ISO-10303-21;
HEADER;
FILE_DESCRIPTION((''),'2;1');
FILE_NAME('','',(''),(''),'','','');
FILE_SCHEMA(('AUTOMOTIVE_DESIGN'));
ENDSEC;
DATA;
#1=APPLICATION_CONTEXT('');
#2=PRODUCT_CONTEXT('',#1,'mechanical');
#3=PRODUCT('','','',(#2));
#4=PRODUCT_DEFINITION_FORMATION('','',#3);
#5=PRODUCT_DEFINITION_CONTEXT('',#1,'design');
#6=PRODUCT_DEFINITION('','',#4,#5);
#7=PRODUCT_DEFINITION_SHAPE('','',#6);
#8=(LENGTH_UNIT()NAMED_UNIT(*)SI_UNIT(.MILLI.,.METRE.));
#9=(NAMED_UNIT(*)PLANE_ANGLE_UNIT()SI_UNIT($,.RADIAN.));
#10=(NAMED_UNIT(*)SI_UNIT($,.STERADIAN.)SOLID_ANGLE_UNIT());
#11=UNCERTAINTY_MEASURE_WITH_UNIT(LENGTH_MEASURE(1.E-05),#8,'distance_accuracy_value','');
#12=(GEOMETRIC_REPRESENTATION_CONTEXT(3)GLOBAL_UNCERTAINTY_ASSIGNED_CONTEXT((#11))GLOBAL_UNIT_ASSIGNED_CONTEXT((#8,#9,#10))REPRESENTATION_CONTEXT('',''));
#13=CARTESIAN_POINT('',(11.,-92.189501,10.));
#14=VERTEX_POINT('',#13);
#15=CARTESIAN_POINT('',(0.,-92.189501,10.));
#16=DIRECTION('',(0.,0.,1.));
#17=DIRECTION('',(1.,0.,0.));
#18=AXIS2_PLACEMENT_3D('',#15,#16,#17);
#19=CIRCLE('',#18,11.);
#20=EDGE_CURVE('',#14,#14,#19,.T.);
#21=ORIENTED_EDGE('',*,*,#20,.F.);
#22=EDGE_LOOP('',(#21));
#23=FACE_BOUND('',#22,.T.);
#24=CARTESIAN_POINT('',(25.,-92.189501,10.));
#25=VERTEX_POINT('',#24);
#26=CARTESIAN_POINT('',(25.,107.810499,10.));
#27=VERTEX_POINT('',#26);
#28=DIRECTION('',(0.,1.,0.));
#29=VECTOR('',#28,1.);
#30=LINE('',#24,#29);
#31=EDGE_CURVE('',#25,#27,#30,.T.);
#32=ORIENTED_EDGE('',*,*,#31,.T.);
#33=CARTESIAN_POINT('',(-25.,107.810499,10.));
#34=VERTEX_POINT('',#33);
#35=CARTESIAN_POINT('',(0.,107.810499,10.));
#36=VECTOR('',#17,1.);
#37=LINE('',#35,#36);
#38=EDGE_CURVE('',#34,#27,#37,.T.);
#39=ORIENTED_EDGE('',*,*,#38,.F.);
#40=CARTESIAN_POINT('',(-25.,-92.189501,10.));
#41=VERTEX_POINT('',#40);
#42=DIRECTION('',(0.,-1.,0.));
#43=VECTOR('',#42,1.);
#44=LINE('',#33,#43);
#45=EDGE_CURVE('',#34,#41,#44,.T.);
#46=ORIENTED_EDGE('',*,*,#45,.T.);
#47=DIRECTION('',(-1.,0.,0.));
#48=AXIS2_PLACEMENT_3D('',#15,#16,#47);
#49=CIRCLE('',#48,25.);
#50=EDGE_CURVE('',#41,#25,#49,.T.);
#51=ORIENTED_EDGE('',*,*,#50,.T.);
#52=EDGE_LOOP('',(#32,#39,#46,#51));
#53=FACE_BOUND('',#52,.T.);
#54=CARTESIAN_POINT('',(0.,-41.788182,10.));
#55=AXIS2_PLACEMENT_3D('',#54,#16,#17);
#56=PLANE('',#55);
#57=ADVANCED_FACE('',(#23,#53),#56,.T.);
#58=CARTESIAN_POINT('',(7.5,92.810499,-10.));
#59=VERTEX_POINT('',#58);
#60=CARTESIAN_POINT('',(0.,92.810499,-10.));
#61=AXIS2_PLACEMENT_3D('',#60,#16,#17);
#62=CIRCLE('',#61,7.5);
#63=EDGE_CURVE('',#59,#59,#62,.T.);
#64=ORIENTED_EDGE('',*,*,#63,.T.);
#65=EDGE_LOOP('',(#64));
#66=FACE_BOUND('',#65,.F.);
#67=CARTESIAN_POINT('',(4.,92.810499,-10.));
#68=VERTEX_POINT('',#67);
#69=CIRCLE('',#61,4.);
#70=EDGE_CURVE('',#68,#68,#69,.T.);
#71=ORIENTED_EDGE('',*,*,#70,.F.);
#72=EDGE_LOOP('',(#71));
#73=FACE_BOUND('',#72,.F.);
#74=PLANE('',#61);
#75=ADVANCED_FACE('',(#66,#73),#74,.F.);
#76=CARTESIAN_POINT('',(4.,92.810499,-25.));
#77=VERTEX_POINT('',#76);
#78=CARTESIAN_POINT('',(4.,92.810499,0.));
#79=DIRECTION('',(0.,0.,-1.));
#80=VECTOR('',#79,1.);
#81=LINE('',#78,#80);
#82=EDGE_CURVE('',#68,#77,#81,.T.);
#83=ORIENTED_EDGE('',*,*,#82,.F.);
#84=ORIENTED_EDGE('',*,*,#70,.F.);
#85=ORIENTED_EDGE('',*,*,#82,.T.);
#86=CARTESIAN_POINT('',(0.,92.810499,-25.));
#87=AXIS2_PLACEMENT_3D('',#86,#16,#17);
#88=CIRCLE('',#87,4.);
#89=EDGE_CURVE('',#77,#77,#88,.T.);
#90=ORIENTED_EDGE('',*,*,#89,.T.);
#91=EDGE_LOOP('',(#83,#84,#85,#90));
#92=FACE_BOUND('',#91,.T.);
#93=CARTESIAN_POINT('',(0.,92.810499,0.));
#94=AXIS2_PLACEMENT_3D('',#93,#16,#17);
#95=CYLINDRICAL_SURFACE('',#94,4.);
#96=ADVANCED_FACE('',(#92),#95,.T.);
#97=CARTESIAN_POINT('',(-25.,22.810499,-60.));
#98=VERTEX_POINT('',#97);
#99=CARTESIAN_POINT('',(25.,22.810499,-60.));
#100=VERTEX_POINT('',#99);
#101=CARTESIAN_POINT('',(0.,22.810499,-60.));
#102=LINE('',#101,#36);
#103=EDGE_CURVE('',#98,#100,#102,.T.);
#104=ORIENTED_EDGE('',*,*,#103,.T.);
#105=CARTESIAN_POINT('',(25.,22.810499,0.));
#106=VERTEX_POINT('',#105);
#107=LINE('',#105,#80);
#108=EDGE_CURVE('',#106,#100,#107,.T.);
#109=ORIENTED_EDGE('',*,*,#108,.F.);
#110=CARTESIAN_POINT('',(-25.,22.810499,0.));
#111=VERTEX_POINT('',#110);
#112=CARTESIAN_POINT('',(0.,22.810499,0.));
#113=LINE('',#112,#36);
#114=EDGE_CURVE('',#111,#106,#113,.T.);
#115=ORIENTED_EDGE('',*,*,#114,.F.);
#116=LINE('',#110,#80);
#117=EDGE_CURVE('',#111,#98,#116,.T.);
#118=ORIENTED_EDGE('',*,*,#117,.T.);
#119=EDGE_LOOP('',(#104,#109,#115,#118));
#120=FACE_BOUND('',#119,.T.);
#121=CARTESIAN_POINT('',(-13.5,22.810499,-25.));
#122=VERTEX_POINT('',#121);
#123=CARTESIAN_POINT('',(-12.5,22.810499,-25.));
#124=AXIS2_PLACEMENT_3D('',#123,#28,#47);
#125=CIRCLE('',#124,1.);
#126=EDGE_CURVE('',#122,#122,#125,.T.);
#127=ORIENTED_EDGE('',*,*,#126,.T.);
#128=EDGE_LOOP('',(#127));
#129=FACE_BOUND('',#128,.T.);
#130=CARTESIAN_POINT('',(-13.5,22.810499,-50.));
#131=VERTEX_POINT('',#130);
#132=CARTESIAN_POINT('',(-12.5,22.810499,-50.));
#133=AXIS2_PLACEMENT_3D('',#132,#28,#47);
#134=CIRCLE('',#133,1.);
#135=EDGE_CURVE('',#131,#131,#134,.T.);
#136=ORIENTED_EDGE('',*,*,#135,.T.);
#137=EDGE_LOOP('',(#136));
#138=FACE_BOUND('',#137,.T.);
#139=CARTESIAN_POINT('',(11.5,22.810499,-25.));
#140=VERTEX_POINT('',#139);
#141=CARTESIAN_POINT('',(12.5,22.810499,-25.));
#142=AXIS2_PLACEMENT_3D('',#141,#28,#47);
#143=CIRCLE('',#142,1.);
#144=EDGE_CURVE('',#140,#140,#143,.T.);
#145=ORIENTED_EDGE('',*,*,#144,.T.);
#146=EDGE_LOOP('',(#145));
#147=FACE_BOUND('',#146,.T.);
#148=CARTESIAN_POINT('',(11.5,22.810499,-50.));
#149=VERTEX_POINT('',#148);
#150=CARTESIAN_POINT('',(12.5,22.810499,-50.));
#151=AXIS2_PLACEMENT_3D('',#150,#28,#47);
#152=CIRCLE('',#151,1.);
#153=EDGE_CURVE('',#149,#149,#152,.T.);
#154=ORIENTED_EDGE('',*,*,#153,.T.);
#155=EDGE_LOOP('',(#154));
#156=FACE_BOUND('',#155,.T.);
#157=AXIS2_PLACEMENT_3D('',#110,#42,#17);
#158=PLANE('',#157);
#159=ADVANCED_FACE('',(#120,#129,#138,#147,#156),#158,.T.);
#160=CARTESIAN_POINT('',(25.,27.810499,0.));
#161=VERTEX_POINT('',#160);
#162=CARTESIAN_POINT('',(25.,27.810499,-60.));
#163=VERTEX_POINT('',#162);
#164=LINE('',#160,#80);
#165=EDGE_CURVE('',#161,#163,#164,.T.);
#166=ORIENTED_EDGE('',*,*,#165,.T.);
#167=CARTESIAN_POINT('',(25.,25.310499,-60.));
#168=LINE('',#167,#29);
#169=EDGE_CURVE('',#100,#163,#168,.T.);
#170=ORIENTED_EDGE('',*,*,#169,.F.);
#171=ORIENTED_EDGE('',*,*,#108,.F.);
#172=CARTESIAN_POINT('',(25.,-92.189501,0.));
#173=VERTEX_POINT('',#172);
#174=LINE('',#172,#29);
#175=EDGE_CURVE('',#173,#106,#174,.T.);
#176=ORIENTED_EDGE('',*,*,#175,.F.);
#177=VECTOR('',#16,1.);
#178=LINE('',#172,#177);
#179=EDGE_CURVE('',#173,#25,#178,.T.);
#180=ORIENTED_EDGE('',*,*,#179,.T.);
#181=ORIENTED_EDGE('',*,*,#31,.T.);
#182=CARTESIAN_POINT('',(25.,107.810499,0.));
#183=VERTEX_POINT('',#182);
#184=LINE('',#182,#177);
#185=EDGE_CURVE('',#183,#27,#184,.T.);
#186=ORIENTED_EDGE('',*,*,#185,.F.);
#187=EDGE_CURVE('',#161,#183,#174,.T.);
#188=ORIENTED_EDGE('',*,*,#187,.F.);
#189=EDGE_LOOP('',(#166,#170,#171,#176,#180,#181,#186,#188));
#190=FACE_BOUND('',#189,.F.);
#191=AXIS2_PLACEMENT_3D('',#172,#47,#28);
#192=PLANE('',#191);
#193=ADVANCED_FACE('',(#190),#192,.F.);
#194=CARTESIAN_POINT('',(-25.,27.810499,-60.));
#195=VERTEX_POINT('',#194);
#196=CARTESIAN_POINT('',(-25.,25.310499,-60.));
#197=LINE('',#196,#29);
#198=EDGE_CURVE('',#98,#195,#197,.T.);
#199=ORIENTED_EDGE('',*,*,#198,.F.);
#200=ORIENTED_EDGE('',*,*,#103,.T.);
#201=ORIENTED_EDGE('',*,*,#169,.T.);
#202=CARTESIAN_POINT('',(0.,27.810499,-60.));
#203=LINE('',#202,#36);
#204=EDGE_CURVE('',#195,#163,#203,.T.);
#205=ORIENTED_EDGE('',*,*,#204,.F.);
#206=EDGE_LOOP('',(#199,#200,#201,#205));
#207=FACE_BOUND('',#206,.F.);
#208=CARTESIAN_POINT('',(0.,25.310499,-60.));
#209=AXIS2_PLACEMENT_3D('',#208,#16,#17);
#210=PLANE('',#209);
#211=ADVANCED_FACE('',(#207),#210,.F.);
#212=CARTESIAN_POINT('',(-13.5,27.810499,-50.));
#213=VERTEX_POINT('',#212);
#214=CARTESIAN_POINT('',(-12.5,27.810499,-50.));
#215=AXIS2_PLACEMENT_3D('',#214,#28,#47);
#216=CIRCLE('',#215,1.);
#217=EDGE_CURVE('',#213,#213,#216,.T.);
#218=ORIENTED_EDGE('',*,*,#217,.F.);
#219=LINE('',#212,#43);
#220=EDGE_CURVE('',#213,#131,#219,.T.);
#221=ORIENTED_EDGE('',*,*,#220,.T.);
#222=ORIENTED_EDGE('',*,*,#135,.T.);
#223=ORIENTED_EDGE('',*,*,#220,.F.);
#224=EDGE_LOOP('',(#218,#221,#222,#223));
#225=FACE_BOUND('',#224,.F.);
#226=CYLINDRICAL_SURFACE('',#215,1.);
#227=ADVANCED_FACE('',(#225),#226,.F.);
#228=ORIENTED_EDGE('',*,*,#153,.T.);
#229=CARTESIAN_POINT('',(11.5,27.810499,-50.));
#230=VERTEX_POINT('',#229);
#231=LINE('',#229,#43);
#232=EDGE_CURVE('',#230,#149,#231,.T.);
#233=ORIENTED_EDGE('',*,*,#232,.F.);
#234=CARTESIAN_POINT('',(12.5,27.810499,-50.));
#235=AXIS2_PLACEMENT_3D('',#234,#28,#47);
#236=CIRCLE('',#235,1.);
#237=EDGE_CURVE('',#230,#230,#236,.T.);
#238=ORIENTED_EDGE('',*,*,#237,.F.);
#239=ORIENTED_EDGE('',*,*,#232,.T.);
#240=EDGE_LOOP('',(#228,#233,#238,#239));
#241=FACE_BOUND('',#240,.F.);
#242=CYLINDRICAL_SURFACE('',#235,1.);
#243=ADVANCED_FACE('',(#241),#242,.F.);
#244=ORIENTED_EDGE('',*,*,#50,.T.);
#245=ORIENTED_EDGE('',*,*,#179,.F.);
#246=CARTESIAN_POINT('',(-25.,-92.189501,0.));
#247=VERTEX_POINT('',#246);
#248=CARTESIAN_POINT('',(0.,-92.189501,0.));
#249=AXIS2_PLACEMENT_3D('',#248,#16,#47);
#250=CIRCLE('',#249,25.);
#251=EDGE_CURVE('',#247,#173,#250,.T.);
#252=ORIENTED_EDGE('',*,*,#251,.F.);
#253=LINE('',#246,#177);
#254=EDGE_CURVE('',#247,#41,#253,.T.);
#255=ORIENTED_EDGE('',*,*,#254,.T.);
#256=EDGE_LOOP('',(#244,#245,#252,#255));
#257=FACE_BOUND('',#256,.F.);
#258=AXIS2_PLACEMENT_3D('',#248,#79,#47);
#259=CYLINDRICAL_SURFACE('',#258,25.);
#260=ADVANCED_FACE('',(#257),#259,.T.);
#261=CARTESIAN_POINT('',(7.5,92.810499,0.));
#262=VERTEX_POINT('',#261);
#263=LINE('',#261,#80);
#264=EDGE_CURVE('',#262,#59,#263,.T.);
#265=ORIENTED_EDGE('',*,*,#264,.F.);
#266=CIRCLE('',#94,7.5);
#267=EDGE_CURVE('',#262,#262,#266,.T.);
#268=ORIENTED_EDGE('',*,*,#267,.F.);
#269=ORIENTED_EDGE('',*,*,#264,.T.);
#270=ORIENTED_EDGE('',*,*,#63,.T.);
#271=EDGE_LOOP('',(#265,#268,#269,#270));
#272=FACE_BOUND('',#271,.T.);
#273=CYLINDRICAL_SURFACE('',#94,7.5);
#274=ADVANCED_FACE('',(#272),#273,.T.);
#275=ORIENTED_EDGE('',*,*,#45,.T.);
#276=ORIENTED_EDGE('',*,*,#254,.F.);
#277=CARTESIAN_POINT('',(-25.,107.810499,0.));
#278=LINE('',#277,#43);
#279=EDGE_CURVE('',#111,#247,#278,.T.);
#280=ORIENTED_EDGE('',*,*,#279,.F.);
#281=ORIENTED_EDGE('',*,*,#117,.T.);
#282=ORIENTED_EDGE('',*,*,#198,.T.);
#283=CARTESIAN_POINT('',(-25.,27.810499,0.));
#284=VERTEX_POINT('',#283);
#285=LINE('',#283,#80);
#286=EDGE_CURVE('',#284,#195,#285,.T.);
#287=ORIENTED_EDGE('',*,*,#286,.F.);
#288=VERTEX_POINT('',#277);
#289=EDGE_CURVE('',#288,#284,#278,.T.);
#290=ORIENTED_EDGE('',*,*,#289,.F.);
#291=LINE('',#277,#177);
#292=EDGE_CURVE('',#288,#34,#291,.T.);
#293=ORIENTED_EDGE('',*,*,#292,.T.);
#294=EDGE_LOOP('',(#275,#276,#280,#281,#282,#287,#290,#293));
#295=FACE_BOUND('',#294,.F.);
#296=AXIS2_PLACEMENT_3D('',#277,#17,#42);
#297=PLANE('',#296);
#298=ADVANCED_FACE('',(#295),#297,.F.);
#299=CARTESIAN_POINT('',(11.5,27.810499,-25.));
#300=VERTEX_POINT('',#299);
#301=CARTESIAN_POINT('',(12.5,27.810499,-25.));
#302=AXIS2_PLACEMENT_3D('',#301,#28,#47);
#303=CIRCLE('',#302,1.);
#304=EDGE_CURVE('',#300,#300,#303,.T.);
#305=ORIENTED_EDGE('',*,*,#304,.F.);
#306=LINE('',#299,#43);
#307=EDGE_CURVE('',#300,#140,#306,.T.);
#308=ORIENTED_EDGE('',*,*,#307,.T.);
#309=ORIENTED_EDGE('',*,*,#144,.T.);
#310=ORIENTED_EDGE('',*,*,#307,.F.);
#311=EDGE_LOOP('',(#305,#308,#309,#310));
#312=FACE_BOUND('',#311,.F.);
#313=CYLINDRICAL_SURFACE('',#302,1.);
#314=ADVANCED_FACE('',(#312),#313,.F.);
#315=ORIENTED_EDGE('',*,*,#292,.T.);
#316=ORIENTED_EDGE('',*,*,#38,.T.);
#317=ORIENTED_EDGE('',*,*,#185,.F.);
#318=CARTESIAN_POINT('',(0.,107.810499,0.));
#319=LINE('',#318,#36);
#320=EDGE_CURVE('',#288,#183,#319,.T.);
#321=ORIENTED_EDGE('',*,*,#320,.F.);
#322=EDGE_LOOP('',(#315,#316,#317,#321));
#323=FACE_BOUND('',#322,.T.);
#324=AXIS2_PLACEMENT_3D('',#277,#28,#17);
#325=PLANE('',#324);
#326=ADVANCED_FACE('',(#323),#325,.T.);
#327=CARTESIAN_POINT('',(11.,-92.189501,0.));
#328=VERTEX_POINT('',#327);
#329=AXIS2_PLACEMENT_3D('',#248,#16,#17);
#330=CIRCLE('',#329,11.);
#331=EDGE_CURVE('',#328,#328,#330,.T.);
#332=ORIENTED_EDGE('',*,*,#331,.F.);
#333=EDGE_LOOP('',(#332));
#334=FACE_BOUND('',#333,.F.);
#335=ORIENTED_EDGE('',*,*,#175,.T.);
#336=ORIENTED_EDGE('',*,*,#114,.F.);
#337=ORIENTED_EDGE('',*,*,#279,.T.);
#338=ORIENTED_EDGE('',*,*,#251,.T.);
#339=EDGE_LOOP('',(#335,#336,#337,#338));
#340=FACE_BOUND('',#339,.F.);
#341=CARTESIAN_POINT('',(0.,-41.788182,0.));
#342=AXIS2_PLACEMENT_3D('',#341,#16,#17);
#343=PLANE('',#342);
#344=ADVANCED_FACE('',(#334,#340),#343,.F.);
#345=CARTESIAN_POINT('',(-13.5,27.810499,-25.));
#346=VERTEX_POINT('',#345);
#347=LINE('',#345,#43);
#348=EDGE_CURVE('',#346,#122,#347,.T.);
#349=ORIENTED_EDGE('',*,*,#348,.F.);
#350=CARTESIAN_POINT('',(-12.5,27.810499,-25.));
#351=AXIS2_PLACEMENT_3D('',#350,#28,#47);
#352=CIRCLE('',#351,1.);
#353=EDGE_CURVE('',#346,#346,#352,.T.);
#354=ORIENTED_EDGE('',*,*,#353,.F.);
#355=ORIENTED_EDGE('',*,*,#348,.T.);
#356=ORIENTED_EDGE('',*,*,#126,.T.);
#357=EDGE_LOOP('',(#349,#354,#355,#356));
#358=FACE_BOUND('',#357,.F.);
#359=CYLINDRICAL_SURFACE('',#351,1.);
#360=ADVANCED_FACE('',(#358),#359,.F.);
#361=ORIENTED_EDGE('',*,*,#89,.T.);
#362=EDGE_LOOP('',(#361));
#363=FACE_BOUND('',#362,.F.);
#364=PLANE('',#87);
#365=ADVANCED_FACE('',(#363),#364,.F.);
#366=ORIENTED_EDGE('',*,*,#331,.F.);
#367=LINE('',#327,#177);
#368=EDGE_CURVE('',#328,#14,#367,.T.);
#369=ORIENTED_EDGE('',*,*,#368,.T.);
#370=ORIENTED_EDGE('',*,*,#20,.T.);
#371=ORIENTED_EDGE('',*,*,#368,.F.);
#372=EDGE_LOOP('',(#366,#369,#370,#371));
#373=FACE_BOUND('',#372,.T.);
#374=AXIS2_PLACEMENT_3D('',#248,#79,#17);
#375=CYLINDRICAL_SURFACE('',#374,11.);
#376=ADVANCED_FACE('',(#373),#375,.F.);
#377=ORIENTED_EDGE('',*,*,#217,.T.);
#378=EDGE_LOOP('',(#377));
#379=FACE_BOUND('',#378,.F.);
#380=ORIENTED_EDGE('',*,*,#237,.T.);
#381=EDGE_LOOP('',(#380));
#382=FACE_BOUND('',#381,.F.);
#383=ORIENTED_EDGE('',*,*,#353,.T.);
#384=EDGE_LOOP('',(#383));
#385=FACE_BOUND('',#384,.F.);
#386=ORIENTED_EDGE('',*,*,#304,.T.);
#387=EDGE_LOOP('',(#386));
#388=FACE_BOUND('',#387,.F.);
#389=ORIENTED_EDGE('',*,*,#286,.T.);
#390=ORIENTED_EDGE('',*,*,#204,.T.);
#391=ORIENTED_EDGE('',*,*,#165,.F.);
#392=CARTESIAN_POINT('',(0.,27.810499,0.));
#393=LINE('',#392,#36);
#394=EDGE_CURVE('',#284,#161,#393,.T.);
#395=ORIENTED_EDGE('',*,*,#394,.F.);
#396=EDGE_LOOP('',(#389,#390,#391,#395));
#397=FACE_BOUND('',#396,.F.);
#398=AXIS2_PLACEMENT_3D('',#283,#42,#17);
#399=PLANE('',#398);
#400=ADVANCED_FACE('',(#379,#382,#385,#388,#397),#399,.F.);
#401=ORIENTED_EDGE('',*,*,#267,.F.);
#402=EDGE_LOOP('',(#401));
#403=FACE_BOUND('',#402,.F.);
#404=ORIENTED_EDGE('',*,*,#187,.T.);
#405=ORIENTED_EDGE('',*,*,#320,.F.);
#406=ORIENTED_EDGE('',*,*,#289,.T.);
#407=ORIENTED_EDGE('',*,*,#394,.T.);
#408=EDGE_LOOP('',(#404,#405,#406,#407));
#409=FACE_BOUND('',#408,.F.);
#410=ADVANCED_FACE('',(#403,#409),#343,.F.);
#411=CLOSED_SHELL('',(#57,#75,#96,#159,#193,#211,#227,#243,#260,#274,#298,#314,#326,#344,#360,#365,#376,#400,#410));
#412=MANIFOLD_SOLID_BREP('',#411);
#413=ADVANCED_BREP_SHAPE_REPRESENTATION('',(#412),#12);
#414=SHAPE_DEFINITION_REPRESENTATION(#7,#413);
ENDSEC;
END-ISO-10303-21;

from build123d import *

# Parameters (mm, degrees)
F0_R     = 11
F0_W     = 50
F0_H     = 80
F0_R_2   = 7.5
F0_H_2   = 5
F0_R_3   = 4
F1_DEPTH = 10
F2_DEPTH = 60
F3_DEPTH = 10
F4_DEPTH = 25
F5_R     = 1
F6_DEPTH = 25


with BuildPart() as f1:
    # F0 (on Top) → F1 (new body)
    with BuildSketch(Plane.XY):
        with BuildLine():
            Line((-25, 22.8104994827), (-25, -92.1895005173))
            ThreePointArc((-25, -92.1895005173), (0, -117.1895005173), (25, -92.1895005173))
            Line((25, -92.1895005173), (25, 22.8104994827))
            Line((25, 22.8104994827), (-25, 22.8104994827))
        make_face()
        with Locations((0, -92.1895005173)):
            Circle(F0_R, mode=Mode.SUBTRACT)
        with Locations((0, 67.8104994827)):
            Rectangle(F0_W, F0_H)
        with Locations((0, 92.8104994827)):
            Circle(F0_R_2, mode=Mode.SUBTRACT)
        with Locations((0, 25.3104994827)):
            Rectangle(F0_W, F0_H_2)
        with Locations((0, 92.8104994827)):
            Circle(F0_R_2)
        with Locations((0, 92.8104994827)):
            Circle(F0_R_3, mode=Mode.SUBTRACT)
        with Locations((0, 92.8104994827)):
            Circle(F0_R_3)
    extrude(amount=F1_DEPTH)

    # F0 (on Top) → F2 (join)
    with BuildSketch(Plane.XY):
        with Locations((0, 25.3104994827)):
            Rectangle(F0_W, F0_H_2)
    extrude(amount=-F2_DEPTH)

    # F0 (on Top) → F3 (join)
    with BuildSketch(Plane.XY):
        with Locations((0, 92.8104994827)):
            Circle(F0_R_2)
        with Locations((0, 92.8104994827)):
            Circle(F0_R_3, mode=Mode.SUBTRACT)
    extrude(amount=-F3_DEPTH)

    # F0 (on Top) → F4 (join)
    with BuildSketch(Plane.XY):
        with Locations((0, 92.8104994827)):
            Circle(F0_R_3)
    extrude(amount=-F4_DEPTH)

    # F5 (on face) → F6 (cut)
    with BuildSketch(Plane(origin=(0, 27.8104994827, 0), x_dir=(-1, 0, 0), z_dir=(0, 1, 0))):
        with Locations((-12.5, -25)):
            Circle(F5_R)
        with Locations((12.5, -25)):
            Circle(F5_R)
        with Locations((-12.5, -50)):
            Circle(F5_R)
        with Locations((12.5, -50)):
            Circle(F5_R)
    extrude(amount=-F6_DEPTH, mode=Mode.SUBTRACT)


solid = f1.part
